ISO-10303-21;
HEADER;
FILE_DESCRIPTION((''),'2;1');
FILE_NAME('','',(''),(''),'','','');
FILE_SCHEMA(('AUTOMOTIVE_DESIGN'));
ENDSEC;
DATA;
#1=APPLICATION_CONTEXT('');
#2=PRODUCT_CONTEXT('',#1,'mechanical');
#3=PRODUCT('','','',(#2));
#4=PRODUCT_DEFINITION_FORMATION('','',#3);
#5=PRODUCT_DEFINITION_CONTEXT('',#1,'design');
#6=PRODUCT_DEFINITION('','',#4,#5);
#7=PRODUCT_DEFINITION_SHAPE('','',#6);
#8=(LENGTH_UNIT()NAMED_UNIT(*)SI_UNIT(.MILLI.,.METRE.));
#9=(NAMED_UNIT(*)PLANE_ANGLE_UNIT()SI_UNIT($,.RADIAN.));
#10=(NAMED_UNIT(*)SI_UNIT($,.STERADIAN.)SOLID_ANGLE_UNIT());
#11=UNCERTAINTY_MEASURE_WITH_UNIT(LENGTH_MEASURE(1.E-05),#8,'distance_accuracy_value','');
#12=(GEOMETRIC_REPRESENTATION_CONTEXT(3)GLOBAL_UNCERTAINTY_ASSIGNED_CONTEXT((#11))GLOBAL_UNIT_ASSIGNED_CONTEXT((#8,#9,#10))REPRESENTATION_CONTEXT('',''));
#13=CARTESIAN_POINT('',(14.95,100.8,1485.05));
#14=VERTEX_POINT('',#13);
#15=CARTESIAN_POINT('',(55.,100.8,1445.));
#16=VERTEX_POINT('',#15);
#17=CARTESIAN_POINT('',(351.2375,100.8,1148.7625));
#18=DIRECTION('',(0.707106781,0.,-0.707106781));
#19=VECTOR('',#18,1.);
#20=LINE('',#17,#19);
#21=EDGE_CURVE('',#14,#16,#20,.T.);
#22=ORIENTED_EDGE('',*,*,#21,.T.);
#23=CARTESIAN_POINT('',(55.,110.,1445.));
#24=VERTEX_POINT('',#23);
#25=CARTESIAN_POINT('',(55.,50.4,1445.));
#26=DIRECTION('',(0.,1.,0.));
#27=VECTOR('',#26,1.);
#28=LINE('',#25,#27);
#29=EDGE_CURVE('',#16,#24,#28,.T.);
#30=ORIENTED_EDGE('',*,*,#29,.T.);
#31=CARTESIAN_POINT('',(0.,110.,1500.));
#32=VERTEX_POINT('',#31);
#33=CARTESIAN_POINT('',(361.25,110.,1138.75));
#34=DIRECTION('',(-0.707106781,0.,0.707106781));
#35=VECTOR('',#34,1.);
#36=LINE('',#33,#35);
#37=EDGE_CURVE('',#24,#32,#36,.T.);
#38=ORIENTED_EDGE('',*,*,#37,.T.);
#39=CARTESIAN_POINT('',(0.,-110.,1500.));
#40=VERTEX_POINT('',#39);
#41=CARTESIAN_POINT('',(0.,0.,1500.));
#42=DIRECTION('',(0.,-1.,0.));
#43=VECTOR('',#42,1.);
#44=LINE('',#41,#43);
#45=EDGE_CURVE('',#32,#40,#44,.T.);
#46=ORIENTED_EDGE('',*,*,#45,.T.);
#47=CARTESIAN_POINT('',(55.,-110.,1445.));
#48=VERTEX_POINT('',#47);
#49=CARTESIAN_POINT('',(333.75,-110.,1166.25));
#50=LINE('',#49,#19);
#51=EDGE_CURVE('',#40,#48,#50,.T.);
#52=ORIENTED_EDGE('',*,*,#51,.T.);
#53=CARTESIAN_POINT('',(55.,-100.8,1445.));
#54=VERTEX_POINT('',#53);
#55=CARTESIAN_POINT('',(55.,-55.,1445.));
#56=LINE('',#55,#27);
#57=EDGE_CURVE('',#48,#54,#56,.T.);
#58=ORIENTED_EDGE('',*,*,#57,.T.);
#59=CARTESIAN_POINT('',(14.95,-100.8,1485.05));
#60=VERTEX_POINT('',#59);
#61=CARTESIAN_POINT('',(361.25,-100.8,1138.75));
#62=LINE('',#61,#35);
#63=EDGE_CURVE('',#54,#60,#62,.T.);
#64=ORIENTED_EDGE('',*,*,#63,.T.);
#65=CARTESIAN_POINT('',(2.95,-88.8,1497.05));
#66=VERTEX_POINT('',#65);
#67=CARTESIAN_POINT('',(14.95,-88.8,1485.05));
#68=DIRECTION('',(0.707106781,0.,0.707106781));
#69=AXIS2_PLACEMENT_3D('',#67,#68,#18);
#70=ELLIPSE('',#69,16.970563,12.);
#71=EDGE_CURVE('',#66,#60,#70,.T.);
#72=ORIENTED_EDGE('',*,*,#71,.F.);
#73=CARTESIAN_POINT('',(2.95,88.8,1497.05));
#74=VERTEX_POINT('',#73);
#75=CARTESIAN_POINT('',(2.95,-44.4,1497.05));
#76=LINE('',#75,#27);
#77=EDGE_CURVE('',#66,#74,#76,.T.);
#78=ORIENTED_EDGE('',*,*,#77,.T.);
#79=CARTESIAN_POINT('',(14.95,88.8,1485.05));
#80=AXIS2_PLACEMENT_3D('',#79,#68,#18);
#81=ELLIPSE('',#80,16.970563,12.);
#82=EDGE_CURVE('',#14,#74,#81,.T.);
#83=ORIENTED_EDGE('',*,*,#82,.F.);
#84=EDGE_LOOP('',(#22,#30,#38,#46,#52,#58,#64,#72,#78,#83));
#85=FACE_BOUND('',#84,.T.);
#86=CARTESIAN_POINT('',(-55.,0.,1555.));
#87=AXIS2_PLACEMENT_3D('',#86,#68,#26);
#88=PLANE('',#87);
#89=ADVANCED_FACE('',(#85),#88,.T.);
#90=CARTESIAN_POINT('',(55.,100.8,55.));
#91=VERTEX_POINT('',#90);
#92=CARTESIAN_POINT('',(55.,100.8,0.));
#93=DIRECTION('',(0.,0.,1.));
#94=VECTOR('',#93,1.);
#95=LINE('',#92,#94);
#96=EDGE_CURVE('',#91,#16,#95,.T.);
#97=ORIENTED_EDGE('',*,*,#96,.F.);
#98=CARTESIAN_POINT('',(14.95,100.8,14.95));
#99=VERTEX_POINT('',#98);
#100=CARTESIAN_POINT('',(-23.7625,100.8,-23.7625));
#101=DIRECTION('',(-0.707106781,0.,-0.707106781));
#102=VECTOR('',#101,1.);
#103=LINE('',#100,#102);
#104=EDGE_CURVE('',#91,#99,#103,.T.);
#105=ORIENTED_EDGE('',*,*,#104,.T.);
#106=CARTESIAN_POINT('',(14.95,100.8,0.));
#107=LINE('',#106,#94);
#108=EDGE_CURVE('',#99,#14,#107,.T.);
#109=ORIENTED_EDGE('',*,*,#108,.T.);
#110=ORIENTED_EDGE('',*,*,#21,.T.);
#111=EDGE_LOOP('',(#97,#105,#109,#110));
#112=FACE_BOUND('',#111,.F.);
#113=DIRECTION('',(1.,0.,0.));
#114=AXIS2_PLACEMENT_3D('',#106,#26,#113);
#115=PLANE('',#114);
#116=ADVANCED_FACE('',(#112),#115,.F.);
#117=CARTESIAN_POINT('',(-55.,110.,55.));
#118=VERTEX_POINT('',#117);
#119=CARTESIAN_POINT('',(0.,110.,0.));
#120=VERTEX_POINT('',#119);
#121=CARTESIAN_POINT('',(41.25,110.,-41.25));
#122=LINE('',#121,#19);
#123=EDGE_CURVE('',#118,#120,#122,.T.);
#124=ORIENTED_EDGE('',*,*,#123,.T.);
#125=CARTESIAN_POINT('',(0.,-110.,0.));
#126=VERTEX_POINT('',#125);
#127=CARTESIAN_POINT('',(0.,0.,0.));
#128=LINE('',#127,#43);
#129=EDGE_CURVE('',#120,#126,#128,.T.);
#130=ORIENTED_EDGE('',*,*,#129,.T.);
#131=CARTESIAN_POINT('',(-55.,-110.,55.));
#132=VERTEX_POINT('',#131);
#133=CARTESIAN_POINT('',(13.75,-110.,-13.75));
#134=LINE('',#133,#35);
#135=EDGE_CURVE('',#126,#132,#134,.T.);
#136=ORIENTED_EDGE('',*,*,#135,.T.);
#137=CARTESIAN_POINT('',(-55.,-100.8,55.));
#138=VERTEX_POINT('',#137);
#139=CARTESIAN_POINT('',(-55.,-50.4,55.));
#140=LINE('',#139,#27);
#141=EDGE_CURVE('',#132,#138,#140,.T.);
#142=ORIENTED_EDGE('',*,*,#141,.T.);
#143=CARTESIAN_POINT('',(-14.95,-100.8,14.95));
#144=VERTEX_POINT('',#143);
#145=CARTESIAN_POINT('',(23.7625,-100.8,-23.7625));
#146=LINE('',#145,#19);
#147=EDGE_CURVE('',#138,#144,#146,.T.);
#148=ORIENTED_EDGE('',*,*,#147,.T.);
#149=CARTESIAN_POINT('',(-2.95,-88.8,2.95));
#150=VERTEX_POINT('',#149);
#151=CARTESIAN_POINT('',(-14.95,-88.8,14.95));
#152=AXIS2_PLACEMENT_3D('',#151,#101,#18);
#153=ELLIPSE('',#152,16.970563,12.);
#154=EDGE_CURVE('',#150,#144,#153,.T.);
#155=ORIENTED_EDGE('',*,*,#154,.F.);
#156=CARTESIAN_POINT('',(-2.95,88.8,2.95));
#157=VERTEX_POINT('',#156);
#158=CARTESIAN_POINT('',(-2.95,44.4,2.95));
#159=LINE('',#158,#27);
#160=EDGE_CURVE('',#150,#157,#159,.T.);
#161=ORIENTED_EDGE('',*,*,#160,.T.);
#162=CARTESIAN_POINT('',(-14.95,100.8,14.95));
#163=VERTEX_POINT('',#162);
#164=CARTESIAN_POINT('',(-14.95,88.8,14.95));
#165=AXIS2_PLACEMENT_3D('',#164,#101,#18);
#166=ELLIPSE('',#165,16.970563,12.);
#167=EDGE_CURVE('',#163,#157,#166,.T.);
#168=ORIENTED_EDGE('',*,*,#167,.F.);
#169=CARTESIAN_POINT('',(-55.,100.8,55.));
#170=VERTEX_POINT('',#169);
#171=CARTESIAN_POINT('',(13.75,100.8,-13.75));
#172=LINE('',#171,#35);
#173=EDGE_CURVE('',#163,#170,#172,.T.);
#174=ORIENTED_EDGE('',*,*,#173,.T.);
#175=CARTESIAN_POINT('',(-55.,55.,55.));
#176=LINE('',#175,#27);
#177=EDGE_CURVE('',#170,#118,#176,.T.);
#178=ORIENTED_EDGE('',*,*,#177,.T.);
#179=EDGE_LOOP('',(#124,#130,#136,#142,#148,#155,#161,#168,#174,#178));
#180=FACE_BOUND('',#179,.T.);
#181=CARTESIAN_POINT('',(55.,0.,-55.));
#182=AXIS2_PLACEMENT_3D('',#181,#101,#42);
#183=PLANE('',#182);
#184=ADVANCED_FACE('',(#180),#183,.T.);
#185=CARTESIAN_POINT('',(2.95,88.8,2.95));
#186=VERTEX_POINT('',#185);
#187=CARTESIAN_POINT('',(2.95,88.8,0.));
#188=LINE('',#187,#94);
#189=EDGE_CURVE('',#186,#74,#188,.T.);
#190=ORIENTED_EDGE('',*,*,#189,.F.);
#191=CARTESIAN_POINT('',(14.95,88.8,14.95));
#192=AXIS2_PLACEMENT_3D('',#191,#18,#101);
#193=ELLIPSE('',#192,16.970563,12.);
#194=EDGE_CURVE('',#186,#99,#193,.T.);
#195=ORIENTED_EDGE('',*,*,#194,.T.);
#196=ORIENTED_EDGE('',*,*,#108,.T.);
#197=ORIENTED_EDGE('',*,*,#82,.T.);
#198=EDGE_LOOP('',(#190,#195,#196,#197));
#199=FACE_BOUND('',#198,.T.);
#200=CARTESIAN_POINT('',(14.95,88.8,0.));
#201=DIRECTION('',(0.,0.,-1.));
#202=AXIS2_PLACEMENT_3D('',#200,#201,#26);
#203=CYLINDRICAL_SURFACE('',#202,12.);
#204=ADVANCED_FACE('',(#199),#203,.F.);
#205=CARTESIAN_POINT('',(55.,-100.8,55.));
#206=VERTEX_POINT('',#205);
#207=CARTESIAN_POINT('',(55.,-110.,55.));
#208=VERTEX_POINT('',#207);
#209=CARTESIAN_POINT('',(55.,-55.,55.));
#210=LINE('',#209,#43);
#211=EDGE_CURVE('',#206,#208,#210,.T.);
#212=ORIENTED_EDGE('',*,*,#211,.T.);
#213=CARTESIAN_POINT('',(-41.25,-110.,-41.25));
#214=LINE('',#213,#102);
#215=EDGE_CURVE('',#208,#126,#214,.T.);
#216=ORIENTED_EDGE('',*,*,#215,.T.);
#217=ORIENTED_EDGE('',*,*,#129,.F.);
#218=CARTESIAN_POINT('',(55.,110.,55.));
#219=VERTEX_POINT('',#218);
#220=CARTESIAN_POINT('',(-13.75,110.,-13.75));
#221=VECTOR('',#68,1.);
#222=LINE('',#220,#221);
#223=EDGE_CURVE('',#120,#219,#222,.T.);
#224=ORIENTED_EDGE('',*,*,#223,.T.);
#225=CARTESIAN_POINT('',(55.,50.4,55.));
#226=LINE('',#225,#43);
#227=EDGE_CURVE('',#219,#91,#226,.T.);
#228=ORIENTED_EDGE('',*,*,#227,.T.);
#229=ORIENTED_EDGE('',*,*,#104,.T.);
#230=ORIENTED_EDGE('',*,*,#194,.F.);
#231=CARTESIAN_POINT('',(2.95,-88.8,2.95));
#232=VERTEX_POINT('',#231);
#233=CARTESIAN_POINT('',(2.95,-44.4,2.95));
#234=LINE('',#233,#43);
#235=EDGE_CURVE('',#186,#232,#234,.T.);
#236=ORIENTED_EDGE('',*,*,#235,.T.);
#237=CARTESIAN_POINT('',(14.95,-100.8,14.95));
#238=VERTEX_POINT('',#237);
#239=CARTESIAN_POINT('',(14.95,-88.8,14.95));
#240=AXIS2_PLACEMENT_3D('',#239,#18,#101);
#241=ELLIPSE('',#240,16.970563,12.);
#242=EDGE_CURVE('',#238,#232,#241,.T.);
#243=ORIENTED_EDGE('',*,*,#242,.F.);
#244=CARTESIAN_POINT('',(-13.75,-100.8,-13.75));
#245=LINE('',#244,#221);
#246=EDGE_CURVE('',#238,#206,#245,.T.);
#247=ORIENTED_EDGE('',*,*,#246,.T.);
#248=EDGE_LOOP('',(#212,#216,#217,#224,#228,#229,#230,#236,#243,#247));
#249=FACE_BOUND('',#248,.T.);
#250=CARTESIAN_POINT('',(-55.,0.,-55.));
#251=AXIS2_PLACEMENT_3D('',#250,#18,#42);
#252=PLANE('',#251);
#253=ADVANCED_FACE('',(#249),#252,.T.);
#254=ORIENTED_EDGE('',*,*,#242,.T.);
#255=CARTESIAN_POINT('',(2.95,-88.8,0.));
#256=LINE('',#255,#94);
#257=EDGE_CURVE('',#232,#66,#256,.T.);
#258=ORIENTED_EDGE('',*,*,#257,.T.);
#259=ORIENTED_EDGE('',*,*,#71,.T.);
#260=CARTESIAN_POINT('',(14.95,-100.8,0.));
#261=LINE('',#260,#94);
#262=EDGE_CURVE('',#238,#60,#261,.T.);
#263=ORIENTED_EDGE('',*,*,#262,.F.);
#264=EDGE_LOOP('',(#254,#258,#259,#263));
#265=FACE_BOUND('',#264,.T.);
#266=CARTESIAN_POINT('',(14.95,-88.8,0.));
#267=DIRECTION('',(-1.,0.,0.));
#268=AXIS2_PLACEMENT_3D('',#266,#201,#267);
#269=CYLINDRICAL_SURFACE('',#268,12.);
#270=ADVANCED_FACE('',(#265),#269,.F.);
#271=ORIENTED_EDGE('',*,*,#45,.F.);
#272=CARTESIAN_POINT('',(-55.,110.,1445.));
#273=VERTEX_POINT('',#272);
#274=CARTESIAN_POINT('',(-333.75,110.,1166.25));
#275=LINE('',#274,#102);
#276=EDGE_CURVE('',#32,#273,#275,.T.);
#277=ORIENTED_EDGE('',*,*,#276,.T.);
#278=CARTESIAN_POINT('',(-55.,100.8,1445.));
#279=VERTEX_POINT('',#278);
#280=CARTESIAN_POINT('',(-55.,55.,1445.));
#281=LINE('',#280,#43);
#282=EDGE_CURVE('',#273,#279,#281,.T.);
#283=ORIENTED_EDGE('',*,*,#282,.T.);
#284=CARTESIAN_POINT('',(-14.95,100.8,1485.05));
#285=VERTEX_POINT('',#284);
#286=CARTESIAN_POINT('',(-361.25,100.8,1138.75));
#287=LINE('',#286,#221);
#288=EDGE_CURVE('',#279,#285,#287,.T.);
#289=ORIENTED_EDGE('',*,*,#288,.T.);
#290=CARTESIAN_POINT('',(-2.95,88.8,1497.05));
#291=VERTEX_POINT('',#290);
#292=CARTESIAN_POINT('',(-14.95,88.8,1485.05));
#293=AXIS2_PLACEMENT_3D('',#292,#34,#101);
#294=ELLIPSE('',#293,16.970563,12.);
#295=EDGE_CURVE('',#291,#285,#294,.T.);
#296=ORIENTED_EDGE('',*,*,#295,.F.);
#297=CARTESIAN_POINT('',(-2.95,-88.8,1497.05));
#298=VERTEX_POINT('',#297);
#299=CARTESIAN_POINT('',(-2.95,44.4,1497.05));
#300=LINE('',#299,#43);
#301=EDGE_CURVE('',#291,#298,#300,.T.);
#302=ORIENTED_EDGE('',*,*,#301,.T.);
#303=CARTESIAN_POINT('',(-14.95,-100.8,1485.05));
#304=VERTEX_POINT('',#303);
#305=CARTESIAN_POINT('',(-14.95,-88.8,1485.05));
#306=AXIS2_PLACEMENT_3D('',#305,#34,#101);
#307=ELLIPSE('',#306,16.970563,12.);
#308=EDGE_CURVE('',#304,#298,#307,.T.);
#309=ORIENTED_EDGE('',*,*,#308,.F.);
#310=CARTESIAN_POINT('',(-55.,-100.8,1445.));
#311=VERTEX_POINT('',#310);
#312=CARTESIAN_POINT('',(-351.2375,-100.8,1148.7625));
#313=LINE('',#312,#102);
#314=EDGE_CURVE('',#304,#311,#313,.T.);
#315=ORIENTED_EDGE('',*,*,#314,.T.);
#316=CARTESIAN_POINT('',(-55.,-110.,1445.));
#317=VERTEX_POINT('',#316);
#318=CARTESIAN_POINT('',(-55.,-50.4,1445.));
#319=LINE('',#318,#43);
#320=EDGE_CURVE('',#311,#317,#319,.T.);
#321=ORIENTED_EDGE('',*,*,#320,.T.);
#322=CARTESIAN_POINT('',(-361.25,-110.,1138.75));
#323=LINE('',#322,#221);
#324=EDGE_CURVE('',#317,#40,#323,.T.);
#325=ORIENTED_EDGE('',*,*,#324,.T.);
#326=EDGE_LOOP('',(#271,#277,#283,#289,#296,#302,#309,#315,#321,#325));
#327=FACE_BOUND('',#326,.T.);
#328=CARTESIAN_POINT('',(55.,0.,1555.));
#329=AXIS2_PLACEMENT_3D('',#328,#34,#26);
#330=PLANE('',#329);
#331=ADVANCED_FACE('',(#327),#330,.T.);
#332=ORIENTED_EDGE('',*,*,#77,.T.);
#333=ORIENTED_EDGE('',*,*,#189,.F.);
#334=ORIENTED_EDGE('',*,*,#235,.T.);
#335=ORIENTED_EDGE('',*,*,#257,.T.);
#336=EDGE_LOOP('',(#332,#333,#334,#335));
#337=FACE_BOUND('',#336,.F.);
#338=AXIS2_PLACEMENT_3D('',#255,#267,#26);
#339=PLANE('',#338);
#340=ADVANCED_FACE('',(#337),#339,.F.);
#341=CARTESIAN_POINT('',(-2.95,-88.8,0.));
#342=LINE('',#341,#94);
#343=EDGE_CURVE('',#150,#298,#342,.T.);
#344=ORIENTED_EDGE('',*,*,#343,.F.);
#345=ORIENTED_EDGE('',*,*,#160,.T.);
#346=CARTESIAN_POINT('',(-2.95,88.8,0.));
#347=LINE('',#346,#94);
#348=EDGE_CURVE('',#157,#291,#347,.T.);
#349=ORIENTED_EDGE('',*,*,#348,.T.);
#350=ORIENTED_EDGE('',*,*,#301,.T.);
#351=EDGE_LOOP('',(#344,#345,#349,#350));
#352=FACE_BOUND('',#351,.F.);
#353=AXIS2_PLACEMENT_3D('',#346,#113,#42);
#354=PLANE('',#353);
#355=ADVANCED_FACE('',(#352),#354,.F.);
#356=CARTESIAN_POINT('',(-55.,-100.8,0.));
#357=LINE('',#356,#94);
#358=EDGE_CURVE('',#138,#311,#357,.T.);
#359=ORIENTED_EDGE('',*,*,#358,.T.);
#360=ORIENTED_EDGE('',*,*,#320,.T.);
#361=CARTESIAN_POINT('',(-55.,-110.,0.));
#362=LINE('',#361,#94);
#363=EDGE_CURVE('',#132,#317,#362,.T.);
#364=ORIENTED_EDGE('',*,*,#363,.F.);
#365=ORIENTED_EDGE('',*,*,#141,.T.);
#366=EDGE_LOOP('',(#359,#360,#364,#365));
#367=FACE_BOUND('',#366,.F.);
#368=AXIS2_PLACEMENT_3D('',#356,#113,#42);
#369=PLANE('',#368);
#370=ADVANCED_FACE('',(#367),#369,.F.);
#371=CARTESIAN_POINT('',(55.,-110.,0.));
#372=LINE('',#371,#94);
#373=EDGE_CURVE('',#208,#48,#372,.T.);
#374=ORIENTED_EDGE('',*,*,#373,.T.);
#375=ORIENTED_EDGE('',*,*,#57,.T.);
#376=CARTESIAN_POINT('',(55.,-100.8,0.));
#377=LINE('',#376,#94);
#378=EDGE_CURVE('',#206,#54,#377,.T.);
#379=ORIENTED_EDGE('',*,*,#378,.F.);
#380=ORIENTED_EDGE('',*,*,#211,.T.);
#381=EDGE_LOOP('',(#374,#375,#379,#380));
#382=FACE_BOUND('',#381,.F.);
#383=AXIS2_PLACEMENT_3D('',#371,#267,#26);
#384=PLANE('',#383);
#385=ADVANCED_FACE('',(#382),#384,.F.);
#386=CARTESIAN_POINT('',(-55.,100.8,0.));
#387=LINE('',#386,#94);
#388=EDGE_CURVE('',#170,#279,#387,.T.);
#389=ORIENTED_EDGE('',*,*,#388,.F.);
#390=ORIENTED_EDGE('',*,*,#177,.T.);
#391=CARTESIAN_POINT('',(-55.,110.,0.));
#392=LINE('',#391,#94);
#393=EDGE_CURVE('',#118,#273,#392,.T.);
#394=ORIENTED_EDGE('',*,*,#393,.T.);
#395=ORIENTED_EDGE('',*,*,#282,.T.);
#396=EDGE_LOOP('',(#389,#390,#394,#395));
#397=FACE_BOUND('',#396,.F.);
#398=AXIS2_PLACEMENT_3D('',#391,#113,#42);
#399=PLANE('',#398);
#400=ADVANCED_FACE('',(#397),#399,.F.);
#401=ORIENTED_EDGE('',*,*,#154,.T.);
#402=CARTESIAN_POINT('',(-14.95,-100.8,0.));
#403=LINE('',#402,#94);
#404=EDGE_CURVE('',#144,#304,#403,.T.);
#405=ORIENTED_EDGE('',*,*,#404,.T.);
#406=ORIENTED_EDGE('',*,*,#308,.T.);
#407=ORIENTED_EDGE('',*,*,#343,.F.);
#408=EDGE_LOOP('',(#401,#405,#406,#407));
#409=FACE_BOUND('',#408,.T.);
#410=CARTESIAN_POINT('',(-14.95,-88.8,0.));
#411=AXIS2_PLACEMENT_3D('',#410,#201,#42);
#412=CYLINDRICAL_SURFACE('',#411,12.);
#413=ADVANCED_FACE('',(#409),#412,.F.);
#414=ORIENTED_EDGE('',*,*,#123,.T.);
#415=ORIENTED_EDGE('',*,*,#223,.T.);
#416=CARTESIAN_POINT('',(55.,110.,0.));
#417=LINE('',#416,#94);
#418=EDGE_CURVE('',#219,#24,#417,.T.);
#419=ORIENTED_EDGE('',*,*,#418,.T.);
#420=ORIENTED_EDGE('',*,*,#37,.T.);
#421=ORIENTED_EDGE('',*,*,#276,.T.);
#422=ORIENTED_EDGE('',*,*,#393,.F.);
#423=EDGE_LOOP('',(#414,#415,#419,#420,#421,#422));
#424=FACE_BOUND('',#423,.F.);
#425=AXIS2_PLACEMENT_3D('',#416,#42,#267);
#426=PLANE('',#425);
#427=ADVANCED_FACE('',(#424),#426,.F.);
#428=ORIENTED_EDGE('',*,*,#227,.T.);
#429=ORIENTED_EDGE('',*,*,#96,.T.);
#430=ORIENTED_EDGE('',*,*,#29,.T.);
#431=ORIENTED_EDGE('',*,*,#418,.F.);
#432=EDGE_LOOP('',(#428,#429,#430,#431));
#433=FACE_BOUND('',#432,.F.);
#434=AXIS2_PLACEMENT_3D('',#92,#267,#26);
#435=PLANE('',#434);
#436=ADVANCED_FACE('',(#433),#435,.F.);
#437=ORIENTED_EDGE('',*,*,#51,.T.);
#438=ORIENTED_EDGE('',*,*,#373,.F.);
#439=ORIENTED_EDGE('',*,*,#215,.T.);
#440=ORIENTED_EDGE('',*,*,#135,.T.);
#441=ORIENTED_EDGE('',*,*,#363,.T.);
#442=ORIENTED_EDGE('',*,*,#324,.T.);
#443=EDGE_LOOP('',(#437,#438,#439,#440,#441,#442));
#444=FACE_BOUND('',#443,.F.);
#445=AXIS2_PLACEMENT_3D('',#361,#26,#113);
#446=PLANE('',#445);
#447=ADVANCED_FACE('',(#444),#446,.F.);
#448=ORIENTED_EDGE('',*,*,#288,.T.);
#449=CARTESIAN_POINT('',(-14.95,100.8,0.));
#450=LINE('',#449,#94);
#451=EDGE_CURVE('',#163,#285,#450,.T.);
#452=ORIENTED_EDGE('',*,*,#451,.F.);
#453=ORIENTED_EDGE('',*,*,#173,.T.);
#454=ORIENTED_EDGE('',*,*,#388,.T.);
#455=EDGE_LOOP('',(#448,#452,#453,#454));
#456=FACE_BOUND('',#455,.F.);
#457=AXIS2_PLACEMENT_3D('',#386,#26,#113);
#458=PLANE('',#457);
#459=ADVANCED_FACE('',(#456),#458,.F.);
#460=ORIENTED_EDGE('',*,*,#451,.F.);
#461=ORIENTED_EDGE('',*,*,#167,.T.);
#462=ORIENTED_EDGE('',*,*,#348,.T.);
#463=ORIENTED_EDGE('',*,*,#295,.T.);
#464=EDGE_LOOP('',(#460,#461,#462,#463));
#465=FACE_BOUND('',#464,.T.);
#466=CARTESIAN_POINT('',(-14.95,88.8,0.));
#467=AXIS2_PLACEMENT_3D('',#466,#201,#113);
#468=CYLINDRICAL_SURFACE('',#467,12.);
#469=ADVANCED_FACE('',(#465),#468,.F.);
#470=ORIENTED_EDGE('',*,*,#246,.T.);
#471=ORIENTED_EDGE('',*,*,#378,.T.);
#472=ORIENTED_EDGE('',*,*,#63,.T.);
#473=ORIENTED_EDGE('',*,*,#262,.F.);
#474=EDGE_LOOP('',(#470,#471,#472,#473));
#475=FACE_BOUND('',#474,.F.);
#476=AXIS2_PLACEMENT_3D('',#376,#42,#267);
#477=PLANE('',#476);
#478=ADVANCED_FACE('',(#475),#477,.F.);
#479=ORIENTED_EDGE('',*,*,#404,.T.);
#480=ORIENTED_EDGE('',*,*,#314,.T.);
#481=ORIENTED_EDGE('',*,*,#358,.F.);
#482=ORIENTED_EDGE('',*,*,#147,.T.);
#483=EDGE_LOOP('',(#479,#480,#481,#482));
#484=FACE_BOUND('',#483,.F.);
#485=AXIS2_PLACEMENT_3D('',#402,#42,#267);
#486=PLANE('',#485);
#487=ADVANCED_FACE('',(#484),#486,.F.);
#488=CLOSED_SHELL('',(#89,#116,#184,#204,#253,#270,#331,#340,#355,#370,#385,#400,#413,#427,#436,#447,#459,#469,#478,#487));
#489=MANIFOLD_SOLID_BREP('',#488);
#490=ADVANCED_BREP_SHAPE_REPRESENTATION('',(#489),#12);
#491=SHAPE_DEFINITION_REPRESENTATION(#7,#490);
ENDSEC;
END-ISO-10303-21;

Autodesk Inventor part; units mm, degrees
ref_plane "Start plane" through (0, 0, 0) normal (0, 0, 1) x (1, 0, 0)
ref_plane "End plane" through (0, 0, 1500) normal (0, 0, 1) x (1, 0, 0)
sketch "Sketch2" plane through (0, 0, 0) normal (0, 0, 1) x (1, 0, 0)
  line L0 (-55, 100.8) -> (-14.95, 100.8)
  line L1 (-55, 110) -> (-55, 100.8)
  line L2 (55, 110) -> (-55, 110)
  line L3 (55, 100.8) -> (55, 110)
  line L4 (14.95, 100.8) -> (55, 100.8)
  line L5 (2.95, -88.8) -> (2.95, 88.8)
  line L6 (55, -100.8) -> (14.95, -100.8)
  line L7 (55, -110) -> (55, -100.8)
  line L8 (-55, -100.8) -> (-55, -110)
  line L9 (-14.95, -100.8) -> (-55, -100.8)
  line L10 (-2.95, 88.8) -> (-2.95, -88.8)
  line L11 (0, -154) -> (0, 154) construction
  line L12 (-2.95, -100.8) -> (2.95, -100.8) construction
  arc A0 (-14.95, -100.8) -> (-2.95, -88.8) centre (-14.95, -88.8) ccw
  arc A1 (-2.95, 88.8) -> (-14.95, 100.8) centre (-14.95, 88.8) ccw
  arc A2 (14.95, 100.8) -> (2.95, 88.8) centre (14.95, 88.8) ccw
  arc A3 (2.95, -88.8) -> (14.95, -100.8) centre (14.95, -88.8) ccw
  line L13 (-77, 0) -> (77, 0) construction
  line L14 (-55, -110) -> (55, -110)
  point P0 (-2.95, 100.8)
  point P1 (2.95, 100.8)
  point P2 (0, 0)
  point P3 (0, -100.8)
  point P4 (0, 0)
  dimension "d1" = 220
  dimension "d3" = 9.2
  dimension "d5" = 5.9
  dimension "d7" = 110
  dimension "d13" = 12
  dimension "d14" = 110
  dimension "d15" = 55
extrude "Body" add sketch "Sketch2" along normal up to surface (1500 mm away) from surface at 0
sketch "Sketch3" plane through (0, 0, 0) normal (0, 0, 1) x (1, 0, 0)
  line L0 (0, 0) -> (10, 0)
ref_plane "Work Plane3" through (0, 0, 0) normal (0, -1, 0) x (1, 0, 0)
ref_plane "Work Plane4" through (55, 0, 1555) normal (-0.7071, 0, 0.7071) x (0.7071, 0, 0.7071)
split "Split1" plane through (55, 0, 1555) removes the side toward (-0.7071, 0, 0.7071)
ref_plane "Work Plane5" through (55, 0, -55) normal (-0.7071, 0, -0.7071) x (-0.7071, 0, 0.7071)
split "Split2" plane through (55, 0, -55) removes the side toward (-0.7071, 0, -0.7071)
ref_plane "Work Plane6" through (-55, 0, -55) normal (0.7071, 0, -0.7071) x (-0.7071, 0, -0.7071)
split "Split3" plane through (-55, 0, -55) removes the side toward (0.7071, 0, -0.7071)
ref_plane "Work Plane7" through (-55, 0, 1555) normal (0.7071, 0, 0.7071) x (0.7071, 0, -0.7071)
split "Split4" plane through (-55, 0, 1555) removes the side toward (0.7071, 0, 0.7071)
sketch "Sketch4" plane through (0, 0, 0) normal (0, -1, 0) x (1, 0, 0)
  line L0 (-2, 0) -> (12, 0) projected
  line L1 (-2, 1500) -> (12, 1500) projected
  dimension "d19" = 1500
equation "\"d1\" = ParH"
equation "\"d3\" = t2"
equation "\"d5\" = t1"
equation "\"d7\" = b"
equation "\"d13\" = R1"
equation "\"d14\" = 0.5 * d1"
equation "\"d15\" = 0.5 * d7"
equation "\"d8\" = G_L"
equation "\"b\" = 110"
equation "\"ParH\" = 220"
equation "\"R1\" = 12"
equation "\"G_L\" = d19"
equation "\"t1\" = 5.9"
equation "\"t2\" = 9.2"
equation "\"G_OFFSET_START\" = 0"
equation "\"G_OFFSET_END\" = 0"
properties part number "DIN 1025 - IPE 220-1500" material "Steel, Mild"
